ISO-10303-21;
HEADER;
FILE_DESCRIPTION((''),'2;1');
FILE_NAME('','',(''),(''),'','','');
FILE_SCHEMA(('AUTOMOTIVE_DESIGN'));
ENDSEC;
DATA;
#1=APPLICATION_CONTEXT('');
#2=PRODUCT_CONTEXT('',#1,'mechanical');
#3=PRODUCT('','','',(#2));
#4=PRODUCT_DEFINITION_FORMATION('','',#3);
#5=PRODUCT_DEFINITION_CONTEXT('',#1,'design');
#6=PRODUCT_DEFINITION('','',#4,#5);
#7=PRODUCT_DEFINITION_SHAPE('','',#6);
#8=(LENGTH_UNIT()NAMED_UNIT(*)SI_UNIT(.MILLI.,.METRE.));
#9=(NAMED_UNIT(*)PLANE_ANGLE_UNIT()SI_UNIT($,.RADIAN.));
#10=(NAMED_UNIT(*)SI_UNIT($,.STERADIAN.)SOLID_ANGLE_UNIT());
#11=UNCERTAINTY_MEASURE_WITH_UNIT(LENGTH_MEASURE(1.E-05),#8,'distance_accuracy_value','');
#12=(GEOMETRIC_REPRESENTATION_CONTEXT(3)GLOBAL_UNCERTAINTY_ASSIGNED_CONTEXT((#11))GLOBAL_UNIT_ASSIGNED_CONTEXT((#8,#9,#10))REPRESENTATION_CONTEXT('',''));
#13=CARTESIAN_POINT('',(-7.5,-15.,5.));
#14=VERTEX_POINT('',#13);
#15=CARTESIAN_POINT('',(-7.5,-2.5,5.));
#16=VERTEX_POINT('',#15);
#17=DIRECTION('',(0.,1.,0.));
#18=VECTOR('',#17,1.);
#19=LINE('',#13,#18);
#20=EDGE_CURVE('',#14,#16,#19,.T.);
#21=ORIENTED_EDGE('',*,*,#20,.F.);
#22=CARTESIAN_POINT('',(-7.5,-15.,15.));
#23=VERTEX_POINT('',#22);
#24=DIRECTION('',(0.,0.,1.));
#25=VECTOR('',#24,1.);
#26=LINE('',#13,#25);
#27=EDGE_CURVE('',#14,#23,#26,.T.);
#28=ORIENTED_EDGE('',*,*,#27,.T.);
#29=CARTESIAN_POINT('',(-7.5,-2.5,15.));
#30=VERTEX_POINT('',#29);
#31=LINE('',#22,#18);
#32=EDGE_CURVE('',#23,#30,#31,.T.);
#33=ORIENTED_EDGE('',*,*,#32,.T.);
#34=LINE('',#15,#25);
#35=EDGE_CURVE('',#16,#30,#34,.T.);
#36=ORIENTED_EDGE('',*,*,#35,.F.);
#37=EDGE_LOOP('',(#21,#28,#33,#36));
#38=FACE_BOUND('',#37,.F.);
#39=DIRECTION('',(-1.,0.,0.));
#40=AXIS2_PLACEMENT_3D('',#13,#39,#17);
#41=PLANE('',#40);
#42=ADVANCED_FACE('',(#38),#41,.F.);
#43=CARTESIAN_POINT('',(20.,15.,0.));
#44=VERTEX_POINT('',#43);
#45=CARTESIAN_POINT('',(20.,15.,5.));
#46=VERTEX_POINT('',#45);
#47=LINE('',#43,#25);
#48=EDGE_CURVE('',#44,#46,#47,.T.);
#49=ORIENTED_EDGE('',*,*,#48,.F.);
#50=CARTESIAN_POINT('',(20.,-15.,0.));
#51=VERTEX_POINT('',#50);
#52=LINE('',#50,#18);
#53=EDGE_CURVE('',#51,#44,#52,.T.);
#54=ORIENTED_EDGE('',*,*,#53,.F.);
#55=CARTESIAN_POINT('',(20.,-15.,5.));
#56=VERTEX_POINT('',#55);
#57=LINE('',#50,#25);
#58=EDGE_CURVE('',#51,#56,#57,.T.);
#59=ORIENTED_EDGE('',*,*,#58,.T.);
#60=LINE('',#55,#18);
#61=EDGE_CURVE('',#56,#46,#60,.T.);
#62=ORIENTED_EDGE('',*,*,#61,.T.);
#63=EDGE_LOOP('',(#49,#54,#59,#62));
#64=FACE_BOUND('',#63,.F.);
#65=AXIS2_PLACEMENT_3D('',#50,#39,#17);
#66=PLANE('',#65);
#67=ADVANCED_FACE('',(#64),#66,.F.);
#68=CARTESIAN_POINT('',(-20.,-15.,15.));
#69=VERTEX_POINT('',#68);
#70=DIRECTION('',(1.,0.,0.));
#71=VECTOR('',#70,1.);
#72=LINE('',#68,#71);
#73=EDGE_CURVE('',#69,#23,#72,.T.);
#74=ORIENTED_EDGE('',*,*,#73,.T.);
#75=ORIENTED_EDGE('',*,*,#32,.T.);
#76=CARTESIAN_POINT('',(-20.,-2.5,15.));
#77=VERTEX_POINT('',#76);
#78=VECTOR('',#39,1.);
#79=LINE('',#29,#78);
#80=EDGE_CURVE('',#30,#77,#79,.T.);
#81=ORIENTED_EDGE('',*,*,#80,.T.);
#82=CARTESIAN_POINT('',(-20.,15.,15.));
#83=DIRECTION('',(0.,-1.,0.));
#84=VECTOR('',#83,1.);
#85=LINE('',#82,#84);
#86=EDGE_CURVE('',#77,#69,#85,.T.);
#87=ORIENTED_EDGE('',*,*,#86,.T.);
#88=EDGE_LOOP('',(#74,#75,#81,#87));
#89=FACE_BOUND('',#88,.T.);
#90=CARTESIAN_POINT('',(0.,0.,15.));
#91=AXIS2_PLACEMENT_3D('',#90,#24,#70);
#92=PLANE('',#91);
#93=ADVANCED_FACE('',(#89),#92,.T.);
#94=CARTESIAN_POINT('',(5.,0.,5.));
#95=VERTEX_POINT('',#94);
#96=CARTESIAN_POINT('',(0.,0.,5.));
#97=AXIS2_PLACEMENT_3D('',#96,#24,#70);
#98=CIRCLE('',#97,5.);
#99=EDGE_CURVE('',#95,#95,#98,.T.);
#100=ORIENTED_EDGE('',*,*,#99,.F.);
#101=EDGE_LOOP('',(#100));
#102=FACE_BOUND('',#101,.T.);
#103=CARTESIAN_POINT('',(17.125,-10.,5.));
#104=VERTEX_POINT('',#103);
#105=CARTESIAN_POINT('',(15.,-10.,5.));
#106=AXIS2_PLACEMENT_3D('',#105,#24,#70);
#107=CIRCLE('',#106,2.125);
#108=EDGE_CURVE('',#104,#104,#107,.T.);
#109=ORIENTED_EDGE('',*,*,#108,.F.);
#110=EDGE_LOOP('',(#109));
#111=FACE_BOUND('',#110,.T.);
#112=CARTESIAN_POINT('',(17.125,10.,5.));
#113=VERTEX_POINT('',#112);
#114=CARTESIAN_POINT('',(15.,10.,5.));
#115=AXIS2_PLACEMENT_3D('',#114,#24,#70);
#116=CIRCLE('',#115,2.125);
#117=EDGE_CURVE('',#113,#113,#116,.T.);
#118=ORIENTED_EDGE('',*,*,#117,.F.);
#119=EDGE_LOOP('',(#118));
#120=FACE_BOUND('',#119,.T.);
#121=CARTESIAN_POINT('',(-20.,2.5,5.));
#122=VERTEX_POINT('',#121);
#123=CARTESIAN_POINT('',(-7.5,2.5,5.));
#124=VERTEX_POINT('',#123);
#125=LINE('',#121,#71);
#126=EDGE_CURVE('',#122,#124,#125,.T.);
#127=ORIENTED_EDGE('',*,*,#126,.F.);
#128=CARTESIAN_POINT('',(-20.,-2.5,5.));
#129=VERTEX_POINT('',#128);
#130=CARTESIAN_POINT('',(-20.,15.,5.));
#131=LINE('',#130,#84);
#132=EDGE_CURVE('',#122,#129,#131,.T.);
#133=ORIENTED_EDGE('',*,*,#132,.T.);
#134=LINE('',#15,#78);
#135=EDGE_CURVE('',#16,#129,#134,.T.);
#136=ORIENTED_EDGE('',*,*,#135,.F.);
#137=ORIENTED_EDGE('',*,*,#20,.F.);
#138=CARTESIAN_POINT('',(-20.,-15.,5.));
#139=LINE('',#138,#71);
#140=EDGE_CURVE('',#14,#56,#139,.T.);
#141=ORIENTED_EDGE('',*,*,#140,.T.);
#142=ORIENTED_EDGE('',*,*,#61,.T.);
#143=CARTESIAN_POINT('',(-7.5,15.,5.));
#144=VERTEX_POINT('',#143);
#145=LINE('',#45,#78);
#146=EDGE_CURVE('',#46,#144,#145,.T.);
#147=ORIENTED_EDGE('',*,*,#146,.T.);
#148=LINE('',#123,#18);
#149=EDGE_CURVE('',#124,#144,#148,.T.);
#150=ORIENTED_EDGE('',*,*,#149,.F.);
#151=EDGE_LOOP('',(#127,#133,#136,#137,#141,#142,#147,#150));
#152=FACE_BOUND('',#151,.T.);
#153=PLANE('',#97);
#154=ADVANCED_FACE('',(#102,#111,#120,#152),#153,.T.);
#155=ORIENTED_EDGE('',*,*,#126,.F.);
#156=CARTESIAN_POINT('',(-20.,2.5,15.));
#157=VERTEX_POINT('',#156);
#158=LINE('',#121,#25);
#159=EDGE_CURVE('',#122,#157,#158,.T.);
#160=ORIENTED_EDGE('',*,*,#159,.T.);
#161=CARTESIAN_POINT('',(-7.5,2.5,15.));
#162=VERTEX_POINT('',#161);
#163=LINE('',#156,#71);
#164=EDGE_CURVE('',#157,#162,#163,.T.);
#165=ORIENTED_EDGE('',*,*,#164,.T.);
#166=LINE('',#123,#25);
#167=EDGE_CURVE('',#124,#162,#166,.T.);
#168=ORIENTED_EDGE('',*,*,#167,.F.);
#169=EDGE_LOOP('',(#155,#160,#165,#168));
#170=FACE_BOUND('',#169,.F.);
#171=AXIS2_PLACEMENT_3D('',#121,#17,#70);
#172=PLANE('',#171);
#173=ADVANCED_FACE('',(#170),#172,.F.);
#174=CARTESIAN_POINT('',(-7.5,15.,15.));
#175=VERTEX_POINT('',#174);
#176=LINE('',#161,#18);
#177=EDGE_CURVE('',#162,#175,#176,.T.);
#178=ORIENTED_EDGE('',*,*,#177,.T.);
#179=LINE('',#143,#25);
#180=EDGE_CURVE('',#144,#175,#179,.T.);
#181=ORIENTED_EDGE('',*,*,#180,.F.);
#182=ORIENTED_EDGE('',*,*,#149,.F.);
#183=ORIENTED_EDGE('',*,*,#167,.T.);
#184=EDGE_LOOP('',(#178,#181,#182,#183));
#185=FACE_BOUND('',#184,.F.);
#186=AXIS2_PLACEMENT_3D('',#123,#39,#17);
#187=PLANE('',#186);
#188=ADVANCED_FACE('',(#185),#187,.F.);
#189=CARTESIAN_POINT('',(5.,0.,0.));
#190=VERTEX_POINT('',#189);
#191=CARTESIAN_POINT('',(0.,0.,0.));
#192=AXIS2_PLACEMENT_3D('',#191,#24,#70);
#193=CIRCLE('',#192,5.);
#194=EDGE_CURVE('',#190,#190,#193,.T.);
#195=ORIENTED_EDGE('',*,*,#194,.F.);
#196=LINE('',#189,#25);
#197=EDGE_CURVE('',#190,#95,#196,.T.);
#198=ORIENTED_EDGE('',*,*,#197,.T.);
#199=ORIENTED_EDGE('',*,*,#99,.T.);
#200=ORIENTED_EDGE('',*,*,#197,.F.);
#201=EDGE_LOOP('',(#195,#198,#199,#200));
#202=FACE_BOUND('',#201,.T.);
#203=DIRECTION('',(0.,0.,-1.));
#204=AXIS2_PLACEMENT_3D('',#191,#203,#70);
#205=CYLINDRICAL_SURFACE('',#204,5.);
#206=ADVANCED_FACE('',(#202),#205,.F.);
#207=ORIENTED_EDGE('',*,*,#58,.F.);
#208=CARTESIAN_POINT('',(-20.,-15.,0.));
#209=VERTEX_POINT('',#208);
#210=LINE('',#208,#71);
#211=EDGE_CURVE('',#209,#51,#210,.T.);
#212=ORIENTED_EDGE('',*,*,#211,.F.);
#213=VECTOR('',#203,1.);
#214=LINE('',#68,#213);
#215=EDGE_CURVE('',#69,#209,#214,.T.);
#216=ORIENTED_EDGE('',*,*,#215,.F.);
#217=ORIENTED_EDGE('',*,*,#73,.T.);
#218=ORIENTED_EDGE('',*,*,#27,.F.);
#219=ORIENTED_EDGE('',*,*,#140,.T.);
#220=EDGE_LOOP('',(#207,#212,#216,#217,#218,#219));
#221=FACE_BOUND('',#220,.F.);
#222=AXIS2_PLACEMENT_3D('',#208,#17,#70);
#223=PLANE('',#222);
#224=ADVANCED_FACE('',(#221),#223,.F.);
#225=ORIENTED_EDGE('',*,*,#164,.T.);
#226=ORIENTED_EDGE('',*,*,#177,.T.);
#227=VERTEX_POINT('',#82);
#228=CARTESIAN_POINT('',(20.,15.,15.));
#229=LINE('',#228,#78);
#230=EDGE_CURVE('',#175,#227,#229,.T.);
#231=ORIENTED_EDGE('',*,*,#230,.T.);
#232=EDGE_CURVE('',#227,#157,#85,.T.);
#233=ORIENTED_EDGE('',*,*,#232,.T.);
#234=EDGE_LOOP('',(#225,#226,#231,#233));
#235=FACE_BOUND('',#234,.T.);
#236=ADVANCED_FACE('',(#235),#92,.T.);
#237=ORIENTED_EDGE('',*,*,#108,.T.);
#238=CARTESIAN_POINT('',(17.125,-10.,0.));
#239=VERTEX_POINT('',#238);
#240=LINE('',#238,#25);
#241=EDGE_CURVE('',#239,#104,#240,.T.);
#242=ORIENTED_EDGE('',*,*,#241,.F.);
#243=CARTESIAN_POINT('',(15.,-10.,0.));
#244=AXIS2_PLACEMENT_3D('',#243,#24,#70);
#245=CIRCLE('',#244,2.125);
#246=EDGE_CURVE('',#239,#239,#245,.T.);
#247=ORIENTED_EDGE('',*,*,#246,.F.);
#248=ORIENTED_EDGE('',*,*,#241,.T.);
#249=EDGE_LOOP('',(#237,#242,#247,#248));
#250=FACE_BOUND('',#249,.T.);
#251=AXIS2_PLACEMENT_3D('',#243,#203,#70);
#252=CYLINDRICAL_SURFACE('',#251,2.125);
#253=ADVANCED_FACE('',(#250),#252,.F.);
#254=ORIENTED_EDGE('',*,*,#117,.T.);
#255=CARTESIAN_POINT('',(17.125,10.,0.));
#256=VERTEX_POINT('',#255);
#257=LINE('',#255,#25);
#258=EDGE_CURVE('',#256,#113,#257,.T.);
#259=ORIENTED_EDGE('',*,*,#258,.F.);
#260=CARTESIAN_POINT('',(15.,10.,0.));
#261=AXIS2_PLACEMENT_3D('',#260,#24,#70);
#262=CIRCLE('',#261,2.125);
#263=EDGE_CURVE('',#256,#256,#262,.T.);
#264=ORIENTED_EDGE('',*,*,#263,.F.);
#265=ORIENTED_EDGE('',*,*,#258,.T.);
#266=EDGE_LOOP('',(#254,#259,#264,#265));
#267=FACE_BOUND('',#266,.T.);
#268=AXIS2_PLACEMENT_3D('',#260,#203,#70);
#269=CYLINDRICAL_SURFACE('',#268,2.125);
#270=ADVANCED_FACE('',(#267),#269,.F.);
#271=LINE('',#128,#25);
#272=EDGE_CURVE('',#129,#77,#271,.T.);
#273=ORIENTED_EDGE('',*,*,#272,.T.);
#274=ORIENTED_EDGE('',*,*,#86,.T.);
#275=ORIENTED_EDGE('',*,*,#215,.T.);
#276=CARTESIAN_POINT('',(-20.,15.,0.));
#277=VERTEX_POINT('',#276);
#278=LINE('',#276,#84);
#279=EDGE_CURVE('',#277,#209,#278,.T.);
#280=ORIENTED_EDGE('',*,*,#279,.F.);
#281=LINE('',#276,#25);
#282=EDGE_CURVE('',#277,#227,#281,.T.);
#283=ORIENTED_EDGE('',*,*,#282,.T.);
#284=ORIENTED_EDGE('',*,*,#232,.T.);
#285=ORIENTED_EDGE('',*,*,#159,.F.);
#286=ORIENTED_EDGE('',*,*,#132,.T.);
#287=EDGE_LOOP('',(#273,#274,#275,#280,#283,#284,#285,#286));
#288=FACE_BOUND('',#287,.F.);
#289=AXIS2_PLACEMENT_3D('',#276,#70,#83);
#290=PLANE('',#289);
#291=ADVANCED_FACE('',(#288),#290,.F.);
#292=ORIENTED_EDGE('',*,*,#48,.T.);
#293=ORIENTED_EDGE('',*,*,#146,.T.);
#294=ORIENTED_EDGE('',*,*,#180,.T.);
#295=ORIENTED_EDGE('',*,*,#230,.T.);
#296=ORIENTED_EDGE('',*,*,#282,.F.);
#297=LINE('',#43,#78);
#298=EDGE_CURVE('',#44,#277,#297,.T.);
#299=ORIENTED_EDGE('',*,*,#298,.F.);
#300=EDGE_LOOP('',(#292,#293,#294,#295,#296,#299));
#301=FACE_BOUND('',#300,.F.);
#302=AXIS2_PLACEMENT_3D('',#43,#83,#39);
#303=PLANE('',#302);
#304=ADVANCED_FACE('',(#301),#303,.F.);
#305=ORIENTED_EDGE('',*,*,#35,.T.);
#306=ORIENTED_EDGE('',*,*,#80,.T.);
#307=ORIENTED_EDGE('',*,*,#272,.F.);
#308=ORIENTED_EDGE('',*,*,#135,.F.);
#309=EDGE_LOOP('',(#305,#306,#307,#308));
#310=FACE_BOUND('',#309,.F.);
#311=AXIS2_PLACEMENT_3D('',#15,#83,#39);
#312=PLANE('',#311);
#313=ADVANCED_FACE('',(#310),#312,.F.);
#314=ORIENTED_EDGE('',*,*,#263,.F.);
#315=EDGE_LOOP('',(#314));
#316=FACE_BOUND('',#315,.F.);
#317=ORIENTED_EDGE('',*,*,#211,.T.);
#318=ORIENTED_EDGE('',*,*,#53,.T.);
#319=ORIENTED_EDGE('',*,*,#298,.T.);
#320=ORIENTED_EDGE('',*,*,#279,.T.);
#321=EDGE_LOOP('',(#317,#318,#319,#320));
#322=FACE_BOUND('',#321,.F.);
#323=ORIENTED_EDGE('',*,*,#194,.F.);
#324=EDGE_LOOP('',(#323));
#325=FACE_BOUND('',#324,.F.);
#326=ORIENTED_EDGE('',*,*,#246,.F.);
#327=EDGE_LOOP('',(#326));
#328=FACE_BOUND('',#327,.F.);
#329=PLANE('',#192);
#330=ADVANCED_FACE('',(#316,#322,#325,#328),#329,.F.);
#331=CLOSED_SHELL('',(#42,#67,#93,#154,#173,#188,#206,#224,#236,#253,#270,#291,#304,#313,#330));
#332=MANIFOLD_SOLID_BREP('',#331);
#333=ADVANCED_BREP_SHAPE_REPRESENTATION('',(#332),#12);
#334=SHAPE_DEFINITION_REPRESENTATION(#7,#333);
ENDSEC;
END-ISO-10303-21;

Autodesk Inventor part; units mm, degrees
ref_plane "YZ Plane" through (0, 0, 0) normal (1, 0, 0) x (0, 1, 0)
ref_plane "XZ Plane" through (0, 0, 0) normal (0, 1, 0) x (-1, 0, 0)
ref_plane "XY Plane" through (0, 0, 0) normal (0, 0, 1) x (1, 0, 0)
sketch "Sketch1" plane through (0, 0, 0) normal (0, 0, 1) x (1, 0, 0)
  line L0 (20, 15) -> (-20, 15)
  line L1 (-20, 15) -> (-20, -15)
  line L2 (-20, -15) -> (20, -15)
  line L3 (20, -15) -> (20, 15)
  line L4 (0, 0) -> (1.9807, 0) construction
  line L5 (0, 0) -> (0, -2.0582) construction
  circle A0 centre (15, -10) radius 2.125 projected
  circle A1 centre (15, 10) radius 2.125 projected
  circle A2 centre (0, 0) radius 2.125 projected
  circle A3 centre (15, -10) radius 2.125
  circle A4 centre (15, 10) radius 2.125
  circle A5 centre (0, 0) radius 2.125
  circle A6 centre (0, 0) radius 2.125 projected
  circle A7 centre (0, 0) radius 5
  dimension "d4" = 40
  dimension "d5" = 30
  dimension "d8" = 10
extrude "Extrusion1" add sketch "Sketch1" along normal blind 5 contours L3 L2 L1 L0
sketch "Sketch3" plane through (0, 0, 5) normal (0, 0, 1) x (1, 0, 0)
  line L0 (-20, -15) -> (20, -15) projected
  line L1 (20, -15) -> (20, 15) projected
  line L2 (20, 15) -> (-20, 15) projected
  line L3 (-7.5, -15) -> (-7.5, -2.5)
  line L4 (-7.5, -2.5) -> (-20, -2.5)
  line L5 (-20, 15) -> (-20, -15) projected
  line L6 (-20, 2.5) -> (-7.5, 2.5)
  line L7 (-7.5, 2.5) -> (-7.5, 15)
  point P0 (0, 0)
  dimension "d9" = 5
extrude "Extrusion2" add sketch "Sketch3" along normal blind 10 contours L5 L4 L3 L0 | L5 L2 L7 L6
properties part number "YCartBeltClamp"
